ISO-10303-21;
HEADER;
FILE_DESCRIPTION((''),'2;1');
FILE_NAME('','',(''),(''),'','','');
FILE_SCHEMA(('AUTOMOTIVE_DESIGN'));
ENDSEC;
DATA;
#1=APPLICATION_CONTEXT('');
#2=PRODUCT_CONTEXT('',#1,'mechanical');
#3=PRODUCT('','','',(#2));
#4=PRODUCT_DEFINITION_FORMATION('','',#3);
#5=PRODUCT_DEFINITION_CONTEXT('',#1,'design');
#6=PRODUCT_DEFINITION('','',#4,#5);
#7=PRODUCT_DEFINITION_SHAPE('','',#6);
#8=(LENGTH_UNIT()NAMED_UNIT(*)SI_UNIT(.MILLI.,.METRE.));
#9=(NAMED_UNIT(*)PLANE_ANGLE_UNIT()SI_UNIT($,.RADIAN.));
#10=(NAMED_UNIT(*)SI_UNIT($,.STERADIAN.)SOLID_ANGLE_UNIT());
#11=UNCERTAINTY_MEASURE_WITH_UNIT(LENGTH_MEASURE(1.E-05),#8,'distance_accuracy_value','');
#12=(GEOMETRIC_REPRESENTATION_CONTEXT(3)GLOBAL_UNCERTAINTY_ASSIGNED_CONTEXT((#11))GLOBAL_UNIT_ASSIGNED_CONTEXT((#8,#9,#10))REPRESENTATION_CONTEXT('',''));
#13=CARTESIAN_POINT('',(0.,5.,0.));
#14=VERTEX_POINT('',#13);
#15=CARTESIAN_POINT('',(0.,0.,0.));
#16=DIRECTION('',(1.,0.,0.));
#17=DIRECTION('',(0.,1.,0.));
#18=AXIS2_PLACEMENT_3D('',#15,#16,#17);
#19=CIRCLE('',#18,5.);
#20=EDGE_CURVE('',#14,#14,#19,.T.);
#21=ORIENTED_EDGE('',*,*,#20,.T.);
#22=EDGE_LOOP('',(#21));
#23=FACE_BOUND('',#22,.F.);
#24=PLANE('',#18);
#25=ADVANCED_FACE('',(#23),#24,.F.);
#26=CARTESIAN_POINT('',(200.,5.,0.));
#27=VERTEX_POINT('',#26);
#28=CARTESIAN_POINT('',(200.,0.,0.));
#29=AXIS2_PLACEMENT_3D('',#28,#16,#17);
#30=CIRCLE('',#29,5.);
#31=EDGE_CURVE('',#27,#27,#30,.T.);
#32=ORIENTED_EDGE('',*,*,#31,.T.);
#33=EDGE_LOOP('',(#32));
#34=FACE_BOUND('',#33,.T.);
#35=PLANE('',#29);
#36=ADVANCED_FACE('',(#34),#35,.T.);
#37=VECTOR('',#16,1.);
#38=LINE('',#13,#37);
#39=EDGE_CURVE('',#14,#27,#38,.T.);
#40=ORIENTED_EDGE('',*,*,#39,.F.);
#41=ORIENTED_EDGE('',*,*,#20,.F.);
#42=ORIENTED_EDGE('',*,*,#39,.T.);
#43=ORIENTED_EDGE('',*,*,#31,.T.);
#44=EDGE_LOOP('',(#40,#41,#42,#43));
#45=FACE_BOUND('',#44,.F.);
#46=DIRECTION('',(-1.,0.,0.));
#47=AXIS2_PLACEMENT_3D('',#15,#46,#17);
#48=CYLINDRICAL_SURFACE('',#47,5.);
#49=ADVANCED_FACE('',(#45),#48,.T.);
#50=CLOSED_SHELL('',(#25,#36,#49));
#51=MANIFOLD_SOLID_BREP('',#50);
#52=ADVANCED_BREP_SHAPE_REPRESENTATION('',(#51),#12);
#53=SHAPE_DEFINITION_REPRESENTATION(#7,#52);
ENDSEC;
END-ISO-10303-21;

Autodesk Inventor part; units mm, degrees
ref_plane "YZ Plane" through (0, 0, 0) normal (1, 0, 0) x (0, 1, 0)
ref_plane "XZ Plane" through (0, 0, 0) normal (0, 1, 0) x (-1, 0, 0)
ref_plane "XY Plane" through (0, 0, 0) normal (0, 0, 1) x (1, 0, 0)
sketch "Sketch1" plane through (0, 0, 0) normal (1, 0, 0) x (0, 1, 0)
  circle A0 centre (0, 0) radius 5
  dimension "d0" = 10
extrude "Extrusion1" add sketch "Sketch1" along normal blind 200
properties part number "RodMK1"
